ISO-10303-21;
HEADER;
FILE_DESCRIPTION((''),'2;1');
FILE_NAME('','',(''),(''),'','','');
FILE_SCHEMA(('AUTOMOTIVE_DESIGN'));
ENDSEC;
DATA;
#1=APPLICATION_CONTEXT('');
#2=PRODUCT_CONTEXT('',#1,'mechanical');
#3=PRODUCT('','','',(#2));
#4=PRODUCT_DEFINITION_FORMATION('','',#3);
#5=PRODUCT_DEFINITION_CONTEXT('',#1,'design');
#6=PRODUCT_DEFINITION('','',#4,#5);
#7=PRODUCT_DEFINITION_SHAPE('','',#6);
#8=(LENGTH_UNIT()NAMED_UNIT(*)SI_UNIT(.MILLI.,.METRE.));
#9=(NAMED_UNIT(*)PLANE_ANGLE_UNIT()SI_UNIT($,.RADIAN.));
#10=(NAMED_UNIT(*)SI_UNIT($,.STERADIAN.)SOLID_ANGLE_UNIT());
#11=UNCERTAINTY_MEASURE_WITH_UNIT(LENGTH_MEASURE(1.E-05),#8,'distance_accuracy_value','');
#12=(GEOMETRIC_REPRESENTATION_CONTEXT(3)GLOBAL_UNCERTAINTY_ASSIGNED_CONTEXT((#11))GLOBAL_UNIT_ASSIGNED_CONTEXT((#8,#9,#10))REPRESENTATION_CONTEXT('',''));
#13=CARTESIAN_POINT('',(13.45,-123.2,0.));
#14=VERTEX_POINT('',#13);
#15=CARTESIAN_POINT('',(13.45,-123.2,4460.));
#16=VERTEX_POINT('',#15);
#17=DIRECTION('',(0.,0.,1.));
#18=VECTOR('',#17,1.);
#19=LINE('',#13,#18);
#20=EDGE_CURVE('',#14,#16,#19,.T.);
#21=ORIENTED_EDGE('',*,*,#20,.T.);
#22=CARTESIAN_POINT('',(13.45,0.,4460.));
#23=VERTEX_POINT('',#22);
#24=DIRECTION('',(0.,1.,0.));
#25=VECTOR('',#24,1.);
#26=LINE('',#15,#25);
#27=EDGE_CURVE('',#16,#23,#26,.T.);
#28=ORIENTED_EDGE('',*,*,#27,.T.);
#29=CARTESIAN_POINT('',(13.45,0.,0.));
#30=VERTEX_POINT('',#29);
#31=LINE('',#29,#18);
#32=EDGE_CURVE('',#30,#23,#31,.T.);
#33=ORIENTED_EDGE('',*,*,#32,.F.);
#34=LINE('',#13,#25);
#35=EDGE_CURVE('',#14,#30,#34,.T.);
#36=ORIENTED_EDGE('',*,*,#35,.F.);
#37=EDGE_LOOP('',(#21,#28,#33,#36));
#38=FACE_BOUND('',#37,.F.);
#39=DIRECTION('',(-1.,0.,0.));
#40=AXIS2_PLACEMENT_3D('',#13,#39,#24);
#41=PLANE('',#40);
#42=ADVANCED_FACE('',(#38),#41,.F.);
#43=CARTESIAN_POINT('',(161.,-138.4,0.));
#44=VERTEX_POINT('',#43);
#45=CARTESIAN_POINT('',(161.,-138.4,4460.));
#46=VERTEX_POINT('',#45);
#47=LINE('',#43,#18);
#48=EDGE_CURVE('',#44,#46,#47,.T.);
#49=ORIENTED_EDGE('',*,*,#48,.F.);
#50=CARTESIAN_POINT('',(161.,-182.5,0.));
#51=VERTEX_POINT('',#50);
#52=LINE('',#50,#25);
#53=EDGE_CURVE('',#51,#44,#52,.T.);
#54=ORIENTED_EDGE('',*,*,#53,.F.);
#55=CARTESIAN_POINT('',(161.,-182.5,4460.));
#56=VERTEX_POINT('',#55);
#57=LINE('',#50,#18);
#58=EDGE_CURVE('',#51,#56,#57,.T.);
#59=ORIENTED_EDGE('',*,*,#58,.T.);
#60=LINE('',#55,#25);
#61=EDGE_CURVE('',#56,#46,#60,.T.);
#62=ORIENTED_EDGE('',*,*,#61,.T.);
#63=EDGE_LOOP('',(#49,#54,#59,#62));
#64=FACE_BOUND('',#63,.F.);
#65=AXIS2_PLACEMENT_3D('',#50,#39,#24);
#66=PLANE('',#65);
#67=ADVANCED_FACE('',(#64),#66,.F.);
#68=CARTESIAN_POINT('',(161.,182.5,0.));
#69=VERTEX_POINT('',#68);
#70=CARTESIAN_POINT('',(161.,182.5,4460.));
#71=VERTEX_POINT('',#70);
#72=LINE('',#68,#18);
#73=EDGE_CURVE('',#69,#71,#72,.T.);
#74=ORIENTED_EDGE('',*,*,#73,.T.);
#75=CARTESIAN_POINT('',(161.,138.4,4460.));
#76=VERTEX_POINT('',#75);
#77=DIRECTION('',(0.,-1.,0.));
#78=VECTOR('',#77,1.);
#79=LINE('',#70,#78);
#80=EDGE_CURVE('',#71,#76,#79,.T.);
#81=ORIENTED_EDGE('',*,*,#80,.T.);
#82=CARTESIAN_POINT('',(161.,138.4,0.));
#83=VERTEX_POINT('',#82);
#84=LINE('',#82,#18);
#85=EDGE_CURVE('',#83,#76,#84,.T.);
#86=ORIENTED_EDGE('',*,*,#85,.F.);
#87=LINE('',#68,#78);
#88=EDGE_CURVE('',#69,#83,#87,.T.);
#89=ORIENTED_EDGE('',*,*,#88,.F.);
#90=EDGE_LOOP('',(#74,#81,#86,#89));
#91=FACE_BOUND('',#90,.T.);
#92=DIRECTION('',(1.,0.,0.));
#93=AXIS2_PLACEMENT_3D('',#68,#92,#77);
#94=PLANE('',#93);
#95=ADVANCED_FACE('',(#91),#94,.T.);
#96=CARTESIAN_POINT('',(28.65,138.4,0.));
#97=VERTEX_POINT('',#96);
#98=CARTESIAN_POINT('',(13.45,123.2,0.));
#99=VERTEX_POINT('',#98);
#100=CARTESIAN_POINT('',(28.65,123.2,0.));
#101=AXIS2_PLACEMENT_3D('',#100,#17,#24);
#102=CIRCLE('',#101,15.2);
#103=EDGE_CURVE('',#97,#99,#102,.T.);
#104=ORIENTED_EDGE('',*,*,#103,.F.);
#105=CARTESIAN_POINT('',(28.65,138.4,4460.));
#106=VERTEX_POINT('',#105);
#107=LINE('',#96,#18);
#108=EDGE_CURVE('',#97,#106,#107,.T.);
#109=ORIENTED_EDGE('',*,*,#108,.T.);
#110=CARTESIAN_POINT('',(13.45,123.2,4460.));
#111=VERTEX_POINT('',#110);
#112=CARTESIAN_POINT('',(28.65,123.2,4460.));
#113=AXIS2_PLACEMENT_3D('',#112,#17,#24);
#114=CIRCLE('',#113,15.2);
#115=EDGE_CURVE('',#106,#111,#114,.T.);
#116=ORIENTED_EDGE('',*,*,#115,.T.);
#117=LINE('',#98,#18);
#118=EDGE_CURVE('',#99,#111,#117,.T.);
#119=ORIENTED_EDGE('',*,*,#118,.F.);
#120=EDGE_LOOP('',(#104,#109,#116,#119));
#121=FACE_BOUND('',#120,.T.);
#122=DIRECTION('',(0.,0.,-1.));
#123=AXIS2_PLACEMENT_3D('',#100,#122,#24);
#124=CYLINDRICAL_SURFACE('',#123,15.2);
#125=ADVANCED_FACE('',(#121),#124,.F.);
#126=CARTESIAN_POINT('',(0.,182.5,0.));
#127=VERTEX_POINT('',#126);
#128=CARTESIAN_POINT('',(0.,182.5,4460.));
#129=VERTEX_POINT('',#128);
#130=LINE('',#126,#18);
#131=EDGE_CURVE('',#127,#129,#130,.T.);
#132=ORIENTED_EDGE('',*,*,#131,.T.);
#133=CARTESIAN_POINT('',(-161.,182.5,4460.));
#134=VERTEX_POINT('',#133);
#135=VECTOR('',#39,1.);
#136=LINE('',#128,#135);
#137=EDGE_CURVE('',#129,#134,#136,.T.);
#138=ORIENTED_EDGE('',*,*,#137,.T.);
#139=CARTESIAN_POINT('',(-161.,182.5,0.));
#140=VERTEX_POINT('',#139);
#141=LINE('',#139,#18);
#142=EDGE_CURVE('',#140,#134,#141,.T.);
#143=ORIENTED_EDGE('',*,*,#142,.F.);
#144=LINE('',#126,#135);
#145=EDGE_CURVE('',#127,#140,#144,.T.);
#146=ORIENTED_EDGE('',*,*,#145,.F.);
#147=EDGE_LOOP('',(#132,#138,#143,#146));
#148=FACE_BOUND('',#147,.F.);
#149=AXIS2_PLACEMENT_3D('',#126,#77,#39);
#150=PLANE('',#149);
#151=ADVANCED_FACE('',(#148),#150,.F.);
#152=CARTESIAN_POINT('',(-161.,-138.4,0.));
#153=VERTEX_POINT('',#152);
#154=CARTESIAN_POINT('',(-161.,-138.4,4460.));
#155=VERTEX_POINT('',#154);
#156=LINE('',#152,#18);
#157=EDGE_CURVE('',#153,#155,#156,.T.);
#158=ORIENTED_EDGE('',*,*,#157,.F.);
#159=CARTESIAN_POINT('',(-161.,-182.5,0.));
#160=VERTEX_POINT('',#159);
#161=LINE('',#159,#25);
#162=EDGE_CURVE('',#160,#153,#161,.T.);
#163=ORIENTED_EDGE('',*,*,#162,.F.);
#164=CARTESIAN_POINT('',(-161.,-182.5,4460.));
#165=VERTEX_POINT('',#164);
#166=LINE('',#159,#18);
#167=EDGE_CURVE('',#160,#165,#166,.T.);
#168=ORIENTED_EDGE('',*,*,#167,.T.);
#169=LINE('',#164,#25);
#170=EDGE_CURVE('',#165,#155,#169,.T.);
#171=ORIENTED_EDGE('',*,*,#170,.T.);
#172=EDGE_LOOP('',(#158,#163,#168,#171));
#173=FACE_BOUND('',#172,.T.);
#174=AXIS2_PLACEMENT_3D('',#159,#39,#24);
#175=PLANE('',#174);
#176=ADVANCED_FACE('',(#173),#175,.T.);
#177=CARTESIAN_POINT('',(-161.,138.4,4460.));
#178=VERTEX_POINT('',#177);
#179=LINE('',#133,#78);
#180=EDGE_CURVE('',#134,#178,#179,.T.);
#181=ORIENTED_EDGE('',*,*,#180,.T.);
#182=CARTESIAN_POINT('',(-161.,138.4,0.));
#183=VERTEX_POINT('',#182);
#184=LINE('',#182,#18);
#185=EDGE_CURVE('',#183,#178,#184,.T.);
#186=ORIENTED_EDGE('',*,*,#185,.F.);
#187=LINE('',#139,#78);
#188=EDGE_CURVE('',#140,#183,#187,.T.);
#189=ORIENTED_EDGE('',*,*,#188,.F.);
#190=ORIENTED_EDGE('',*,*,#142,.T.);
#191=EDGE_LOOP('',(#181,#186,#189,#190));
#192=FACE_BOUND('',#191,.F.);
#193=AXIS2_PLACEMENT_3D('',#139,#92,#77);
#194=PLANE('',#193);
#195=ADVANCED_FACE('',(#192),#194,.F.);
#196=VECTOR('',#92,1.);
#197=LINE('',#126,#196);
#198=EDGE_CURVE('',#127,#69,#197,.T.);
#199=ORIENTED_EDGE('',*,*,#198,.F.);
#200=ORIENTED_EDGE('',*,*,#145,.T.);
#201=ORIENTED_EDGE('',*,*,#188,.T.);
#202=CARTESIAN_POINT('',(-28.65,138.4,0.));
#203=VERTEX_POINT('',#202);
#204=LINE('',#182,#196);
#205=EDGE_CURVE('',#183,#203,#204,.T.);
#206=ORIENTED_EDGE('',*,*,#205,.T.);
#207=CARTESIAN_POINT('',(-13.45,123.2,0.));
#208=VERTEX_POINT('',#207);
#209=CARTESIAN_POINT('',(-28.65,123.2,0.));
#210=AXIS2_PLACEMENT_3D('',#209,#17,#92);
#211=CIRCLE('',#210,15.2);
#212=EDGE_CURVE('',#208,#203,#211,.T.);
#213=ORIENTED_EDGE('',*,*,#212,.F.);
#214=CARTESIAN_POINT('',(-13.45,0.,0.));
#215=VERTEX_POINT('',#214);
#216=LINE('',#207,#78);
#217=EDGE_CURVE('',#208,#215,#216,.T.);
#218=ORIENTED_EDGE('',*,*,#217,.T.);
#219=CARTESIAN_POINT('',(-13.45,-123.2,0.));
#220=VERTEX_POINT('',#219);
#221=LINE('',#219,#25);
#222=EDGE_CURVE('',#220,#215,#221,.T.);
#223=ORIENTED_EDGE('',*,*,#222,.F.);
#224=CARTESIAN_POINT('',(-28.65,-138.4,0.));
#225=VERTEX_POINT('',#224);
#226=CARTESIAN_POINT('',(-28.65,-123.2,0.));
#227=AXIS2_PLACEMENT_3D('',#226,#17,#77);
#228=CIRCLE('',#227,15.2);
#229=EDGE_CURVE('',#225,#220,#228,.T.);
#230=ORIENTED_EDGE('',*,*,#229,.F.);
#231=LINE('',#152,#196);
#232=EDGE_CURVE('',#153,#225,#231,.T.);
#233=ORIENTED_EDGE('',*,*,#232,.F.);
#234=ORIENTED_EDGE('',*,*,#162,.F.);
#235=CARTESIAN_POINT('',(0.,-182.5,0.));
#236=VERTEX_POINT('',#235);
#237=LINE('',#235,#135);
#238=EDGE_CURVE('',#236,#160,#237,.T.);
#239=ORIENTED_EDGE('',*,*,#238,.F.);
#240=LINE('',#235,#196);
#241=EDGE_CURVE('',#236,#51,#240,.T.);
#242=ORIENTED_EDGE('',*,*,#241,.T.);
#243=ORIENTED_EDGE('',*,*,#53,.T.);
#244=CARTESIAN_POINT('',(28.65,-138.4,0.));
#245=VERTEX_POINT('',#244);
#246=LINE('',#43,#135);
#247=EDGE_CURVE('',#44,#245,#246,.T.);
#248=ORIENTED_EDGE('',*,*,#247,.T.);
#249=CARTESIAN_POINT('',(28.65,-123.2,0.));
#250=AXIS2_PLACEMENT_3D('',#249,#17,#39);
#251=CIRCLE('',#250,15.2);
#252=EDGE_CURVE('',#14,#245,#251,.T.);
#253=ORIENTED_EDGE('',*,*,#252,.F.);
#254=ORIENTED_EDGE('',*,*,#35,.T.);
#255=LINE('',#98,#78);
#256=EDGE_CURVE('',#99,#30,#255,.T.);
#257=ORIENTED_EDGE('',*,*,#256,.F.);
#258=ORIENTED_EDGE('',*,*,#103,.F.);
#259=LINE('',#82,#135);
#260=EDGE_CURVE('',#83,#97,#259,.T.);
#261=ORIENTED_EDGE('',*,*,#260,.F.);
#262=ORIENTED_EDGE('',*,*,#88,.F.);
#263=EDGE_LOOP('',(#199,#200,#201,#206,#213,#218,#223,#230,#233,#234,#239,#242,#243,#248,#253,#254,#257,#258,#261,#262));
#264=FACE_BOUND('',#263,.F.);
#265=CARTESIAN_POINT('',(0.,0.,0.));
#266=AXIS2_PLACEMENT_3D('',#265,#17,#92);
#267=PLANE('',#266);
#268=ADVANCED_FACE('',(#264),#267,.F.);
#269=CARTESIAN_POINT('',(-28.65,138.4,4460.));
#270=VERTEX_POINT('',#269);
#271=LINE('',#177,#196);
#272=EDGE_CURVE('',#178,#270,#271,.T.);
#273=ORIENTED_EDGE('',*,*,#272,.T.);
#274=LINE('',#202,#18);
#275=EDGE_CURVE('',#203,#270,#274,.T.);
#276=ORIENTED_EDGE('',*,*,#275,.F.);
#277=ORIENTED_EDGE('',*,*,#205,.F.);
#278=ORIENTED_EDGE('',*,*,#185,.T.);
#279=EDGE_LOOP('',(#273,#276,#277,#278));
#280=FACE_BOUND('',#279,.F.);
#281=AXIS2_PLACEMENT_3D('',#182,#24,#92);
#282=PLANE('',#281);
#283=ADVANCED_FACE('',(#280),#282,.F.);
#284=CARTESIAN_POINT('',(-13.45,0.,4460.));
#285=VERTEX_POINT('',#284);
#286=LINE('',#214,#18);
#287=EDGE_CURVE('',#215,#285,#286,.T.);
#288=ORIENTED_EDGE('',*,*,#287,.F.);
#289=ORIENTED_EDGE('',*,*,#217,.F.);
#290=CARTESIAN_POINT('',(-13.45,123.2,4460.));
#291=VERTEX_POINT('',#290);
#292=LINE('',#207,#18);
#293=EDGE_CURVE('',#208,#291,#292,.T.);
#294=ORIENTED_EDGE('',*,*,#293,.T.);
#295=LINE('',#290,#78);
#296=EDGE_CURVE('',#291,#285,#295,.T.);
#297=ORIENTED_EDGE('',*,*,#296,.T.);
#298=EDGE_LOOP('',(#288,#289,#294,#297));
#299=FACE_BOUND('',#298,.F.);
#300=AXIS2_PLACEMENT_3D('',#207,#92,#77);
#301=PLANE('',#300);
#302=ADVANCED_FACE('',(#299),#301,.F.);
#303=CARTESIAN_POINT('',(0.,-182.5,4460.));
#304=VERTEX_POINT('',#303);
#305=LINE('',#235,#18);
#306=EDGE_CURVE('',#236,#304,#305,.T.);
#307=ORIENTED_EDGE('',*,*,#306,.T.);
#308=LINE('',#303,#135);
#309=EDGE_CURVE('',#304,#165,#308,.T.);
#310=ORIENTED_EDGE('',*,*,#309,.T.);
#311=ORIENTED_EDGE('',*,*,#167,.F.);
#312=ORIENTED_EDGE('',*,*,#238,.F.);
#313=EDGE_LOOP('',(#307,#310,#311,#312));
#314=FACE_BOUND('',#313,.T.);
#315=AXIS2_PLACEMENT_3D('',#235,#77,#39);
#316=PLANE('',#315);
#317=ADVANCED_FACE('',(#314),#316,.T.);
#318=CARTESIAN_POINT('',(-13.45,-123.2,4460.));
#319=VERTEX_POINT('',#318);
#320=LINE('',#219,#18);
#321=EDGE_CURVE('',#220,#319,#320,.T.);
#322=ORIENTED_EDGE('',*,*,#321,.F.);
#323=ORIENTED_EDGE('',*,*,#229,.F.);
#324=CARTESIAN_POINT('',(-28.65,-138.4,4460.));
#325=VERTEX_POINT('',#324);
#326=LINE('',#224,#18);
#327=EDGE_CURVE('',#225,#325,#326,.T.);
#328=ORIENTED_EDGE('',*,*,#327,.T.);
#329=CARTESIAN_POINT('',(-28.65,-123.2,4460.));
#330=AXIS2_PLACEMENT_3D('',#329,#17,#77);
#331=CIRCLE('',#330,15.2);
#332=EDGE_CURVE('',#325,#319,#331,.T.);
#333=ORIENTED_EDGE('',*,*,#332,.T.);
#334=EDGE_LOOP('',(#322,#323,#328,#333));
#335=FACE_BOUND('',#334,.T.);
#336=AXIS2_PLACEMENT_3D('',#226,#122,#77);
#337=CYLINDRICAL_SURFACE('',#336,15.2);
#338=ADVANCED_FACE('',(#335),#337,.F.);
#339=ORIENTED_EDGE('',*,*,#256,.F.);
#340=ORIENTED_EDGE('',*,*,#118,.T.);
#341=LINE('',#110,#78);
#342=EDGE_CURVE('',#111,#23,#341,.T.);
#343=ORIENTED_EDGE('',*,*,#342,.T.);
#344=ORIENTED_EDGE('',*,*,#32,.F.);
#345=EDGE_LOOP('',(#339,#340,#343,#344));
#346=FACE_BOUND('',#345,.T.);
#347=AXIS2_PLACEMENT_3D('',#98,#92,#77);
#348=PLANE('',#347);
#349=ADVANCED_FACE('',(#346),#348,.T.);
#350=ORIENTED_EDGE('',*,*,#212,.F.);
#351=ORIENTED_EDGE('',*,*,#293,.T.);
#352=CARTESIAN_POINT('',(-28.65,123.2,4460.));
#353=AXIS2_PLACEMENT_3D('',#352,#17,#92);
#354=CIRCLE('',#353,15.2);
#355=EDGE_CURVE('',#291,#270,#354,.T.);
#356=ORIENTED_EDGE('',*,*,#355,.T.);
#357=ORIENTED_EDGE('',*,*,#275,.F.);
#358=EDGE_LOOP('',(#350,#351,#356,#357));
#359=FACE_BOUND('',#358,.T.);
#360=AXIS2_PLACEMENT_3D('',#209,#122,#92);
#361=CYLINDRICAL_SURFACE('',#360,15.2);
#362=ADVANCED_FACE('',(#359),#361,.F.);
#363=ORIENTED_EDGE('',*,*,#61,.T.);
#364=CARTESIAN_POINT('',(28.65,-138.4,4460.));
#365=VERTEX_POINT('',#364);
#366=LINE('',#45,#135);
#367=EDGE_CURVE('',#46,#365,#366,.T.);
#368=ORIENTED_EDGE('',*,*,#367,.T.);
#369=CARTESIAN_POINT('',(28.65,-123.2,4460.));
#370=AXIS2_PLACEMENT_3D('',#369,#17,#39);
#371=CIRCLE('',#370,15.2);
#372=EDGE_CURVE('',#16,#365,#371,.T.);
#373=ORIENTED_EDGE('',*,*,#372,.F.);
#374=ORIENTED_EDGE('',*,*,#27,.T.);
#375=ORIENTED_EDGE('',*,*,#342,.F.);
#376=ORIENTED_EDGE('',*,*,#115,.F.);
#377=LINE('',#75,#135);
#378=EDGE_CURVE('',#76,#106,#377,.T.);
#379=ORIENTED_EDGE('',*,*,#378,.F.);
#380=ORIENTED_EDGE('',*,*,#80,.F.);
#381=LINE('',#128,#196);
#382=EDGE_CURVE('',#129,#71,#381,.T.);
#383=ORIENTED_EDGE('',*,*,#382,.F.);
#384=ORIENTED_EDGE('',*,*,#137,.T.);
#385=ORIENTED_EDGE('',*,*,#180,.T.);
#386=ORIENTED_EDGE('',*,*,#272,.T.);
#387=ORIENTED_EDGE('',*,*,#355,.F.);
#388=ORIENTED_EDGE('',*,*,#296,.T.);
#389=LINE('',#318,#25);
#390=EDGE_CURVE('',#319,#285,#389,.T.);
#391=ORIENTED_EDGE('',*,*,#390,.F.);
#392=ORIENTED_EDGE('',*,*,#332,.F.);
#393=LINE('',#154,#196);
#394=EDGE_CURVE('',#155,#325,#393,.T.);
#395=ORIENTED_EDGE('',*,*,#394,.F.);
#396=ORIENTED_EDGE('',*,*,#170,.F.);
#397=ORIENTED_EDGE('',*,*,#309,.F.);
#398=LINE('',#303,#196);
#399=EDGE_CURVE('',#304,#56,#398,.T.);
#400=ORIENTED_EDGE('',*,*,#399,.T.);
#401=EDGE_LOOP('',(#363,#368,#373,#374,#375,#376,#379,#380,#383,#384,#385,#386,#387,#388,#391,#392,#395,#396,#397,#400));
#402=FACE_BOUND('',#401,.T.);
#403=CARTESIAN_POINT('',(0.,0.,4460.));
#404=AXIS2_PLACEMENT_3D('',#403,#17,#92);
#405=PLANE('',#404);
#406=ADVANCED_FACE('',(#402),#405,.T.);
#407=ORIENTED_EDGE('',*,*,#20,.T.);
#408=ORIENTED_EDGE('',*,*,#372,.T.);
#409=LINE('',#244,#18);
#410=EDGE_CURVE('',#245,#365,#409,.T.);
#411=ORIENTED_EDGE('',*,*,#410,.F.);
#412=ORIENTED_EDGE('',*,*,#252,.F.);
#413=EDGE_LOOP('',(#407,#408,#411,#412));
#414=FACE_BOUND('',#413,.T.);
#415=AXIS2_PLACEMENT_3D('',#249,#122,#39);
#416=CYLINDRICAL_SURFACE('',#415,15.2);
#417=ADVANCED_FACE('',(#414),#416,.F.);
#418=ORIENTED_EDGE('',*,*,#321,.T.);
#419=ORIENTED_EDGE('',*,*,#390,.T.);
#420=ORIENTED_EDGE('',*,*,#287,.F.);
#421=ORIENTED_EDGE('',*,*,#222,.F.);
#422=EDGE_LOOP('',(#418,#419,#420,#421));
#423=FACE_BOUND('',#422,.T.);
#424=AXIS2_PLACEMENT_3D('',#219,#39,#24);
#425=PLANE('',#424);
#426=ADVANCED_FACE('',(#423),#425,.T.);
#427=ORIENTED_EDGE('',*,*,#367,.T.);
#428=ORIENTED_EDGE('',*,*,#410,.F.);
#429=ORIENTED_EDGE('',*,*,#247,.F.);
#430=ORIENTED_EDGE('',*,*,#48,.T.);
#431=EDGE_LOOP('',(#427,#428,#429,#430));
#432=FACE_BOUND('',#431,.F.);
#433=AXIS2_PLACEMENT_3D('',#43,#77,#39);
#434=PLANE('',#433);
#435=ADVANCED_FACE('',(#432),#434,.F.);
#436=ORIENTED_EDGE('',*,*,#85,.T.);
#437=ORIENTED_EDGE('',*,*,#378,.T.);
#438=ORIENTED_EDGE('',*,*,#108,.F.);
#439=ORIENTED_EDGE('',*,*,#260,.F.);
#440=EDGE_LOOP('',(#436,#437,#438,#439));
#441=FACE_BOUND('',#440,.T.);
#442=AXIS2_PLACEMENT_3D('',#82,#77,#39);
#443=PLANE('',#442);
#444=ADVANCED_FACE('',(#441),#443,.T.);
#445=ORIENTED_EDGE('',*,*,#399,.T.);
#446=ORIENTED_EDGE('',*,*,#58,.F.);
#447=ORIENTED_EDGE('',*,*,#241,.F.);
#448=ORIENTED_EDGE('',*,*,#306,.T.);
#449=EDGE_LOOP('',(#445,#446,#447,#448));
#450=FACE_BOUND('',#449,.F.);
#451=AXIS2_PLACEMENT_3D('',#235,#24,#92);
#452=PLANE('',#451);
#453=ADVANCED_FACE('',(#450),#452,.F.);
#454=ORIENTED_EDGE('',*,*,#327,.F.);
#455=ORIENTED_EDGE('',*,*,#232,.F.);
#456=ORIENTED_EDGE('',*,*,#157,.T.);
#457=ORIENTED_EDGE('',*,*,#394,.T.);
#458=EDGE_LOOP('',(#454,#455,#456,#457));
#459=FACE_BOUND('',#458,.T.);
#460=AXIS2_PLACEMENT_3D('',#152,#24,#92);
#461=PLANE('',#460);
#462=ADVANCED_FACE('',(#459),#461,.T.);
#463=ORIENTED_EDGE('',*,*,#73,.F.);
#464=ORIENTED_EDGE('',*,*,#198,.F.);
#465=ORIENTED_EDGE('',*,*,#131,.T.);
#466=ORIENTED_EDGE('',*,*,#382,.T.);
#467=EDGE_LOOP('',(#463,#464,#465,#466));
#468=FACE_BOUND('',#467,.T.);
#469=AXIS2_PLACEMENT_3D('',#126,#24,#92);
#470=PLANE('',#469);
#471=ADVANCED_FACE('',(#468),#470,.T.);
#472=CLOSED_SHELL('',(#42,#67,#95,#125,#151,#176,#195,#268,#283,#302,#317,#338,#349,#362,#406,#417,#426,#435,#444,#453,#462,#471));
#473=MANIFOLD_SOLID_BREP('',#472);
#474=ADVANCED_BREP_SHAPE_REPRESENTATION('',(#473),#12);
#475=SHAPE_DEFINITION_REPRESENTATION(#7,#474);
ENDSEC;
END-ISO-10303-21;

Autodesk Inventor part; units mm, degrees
ref_plane "YZ Plane" through (0, 0, 0) normal (1, 0, 0) x (0, 1, 0)
ref_plane "Start plane" through (0, 0, 0) normal (0, 0, 1) x (1, 0, 0)
ref_plane "End plane" through (0, 0, 4460) normal (0, 0, 1) x (1, 0, 0)
sketch "Sketch" plane through (0, 0, 0) normal (0, 0, 1) x (1, 0, 0)
  line L0 (-161, -182.5) -> (-161, -138.4)
  line L1 (-161, -138.4) -> (-28.65, -138.4)
  line L2 (-13.45, -123.2) -> (-13.45, 0)
  line L3 (-13.45, 0) -> (0, 0) construction
  line L4 (0, 0) -> (0, -182.5) construction
  line L5 (0, -182.5) -> (-161, -182.5)
  line L6 (-60, 0) -> (80, 0) construction
  line L7 (0, -60) -> (0, 80) construction
  line L8 (161, -182.5) -> (161, -138.4)
  line L9 (161, -138.4) -> (28.65, -138.4)
  line L10 (13.45, -123.2) -> (13.45, 0)
  line L11 (13.45, 0) -> (0, 0) construction
  line L12 (0, -182.5) -> (161, -182.5)
  line L13 (-161, 182.5) -> (-161, 138.4)
  line L14 (-161, 138.4) -> (-28.65, 138.4)
  line L15 (-13.45, 123.2) -> (-13.45, 0)
  line L16 (0, 182.5) -> (-161, 182.5)
  line L17 (161, 182.5) -> (161, 138.4)
  line L18 (161, 138.4) -> (28.65, 138.4)
  line L19 (0, 182.5) -> (161, 182.5)
  line L20 (13.45, 123.2) -> (13.45, 0)
  arc A0 (-13.45, 123.2) -> (-28.65, 138.4) centre (-28.65, 123.2) ccw
  arc A1 (28.65, 138.4) -> (13.45, 123.2) centre (28.65, 123.2) ccw
  arc A2 (13.45, -123.2) -> (28.65, -138.4) centre (28.65, -123.2) ccw
  arc A3 (-28.65, -138.4) -> (-13.45, -123.2) centre (-28.65, -123.2) ccw
  line L21 (0, 108) -> (0, -88) construction
  line L22 (-88, 0) -> (108, 0) construction
  point P0 (-13.45, -138.4)
  point P1 (13.45, -138.4)
  point P2 (-13.45, 138.4)
  point P3 (13.45, 138.4)
  dimension "d1" = 182.5
  dimension "d2" = 44.1
  dimension "d3" = 161
  dimension "d4" = 13.45
  dimension "d10" = 15.2
extrude "Body" add sketch "Sketch" along normal up to surface (4460 mm away) from surface at 0
sketch "Sketch4" plane through (0, 0, 0) normal (0, 0, 1) x (1, 0, 0)
  line L0 (0, 0) -> (10, 0)
ref_plane "Work Plane3" through (0, 0, 0) normal (0, -1, 0) x (1, 0, 0)
sketch "Sketch5" plane through (0, 0, 0) normal (0, -1, 0) x (1, 0, 0)
  line L0 (-2, 0) -> (12, 0) projected
  line L1 (-2, 4460) -> (12, 4460) projected
  dimension "d14" = 4460
equation "\"d1\" = 0.5 * G_H"
equation "\"d2\" = G_T1"
equation "\"d3\" = 0.5 * G_W"
equation "\"d4\" = 0.5 * G_T"
equation "\"d10\" = G_IR"
equation "\"d5\" = G_L"
equation "\"G_W\" = 322"
equation "\"G_H\" = 365"
equation "\"G_T\" = 26.9"
equation "\"G_T1\" = 44.1"
equation "\"G_IR\" = 15.2"
equation "\"G_L\" = d14"
equation "\"G_OFFSET_START\" = 0"
equation "\"G_OFFSET_END\" = 0"
properties part number "AS 3679 - 310 UC - 283 - 4460" material "Steel, Mild"
